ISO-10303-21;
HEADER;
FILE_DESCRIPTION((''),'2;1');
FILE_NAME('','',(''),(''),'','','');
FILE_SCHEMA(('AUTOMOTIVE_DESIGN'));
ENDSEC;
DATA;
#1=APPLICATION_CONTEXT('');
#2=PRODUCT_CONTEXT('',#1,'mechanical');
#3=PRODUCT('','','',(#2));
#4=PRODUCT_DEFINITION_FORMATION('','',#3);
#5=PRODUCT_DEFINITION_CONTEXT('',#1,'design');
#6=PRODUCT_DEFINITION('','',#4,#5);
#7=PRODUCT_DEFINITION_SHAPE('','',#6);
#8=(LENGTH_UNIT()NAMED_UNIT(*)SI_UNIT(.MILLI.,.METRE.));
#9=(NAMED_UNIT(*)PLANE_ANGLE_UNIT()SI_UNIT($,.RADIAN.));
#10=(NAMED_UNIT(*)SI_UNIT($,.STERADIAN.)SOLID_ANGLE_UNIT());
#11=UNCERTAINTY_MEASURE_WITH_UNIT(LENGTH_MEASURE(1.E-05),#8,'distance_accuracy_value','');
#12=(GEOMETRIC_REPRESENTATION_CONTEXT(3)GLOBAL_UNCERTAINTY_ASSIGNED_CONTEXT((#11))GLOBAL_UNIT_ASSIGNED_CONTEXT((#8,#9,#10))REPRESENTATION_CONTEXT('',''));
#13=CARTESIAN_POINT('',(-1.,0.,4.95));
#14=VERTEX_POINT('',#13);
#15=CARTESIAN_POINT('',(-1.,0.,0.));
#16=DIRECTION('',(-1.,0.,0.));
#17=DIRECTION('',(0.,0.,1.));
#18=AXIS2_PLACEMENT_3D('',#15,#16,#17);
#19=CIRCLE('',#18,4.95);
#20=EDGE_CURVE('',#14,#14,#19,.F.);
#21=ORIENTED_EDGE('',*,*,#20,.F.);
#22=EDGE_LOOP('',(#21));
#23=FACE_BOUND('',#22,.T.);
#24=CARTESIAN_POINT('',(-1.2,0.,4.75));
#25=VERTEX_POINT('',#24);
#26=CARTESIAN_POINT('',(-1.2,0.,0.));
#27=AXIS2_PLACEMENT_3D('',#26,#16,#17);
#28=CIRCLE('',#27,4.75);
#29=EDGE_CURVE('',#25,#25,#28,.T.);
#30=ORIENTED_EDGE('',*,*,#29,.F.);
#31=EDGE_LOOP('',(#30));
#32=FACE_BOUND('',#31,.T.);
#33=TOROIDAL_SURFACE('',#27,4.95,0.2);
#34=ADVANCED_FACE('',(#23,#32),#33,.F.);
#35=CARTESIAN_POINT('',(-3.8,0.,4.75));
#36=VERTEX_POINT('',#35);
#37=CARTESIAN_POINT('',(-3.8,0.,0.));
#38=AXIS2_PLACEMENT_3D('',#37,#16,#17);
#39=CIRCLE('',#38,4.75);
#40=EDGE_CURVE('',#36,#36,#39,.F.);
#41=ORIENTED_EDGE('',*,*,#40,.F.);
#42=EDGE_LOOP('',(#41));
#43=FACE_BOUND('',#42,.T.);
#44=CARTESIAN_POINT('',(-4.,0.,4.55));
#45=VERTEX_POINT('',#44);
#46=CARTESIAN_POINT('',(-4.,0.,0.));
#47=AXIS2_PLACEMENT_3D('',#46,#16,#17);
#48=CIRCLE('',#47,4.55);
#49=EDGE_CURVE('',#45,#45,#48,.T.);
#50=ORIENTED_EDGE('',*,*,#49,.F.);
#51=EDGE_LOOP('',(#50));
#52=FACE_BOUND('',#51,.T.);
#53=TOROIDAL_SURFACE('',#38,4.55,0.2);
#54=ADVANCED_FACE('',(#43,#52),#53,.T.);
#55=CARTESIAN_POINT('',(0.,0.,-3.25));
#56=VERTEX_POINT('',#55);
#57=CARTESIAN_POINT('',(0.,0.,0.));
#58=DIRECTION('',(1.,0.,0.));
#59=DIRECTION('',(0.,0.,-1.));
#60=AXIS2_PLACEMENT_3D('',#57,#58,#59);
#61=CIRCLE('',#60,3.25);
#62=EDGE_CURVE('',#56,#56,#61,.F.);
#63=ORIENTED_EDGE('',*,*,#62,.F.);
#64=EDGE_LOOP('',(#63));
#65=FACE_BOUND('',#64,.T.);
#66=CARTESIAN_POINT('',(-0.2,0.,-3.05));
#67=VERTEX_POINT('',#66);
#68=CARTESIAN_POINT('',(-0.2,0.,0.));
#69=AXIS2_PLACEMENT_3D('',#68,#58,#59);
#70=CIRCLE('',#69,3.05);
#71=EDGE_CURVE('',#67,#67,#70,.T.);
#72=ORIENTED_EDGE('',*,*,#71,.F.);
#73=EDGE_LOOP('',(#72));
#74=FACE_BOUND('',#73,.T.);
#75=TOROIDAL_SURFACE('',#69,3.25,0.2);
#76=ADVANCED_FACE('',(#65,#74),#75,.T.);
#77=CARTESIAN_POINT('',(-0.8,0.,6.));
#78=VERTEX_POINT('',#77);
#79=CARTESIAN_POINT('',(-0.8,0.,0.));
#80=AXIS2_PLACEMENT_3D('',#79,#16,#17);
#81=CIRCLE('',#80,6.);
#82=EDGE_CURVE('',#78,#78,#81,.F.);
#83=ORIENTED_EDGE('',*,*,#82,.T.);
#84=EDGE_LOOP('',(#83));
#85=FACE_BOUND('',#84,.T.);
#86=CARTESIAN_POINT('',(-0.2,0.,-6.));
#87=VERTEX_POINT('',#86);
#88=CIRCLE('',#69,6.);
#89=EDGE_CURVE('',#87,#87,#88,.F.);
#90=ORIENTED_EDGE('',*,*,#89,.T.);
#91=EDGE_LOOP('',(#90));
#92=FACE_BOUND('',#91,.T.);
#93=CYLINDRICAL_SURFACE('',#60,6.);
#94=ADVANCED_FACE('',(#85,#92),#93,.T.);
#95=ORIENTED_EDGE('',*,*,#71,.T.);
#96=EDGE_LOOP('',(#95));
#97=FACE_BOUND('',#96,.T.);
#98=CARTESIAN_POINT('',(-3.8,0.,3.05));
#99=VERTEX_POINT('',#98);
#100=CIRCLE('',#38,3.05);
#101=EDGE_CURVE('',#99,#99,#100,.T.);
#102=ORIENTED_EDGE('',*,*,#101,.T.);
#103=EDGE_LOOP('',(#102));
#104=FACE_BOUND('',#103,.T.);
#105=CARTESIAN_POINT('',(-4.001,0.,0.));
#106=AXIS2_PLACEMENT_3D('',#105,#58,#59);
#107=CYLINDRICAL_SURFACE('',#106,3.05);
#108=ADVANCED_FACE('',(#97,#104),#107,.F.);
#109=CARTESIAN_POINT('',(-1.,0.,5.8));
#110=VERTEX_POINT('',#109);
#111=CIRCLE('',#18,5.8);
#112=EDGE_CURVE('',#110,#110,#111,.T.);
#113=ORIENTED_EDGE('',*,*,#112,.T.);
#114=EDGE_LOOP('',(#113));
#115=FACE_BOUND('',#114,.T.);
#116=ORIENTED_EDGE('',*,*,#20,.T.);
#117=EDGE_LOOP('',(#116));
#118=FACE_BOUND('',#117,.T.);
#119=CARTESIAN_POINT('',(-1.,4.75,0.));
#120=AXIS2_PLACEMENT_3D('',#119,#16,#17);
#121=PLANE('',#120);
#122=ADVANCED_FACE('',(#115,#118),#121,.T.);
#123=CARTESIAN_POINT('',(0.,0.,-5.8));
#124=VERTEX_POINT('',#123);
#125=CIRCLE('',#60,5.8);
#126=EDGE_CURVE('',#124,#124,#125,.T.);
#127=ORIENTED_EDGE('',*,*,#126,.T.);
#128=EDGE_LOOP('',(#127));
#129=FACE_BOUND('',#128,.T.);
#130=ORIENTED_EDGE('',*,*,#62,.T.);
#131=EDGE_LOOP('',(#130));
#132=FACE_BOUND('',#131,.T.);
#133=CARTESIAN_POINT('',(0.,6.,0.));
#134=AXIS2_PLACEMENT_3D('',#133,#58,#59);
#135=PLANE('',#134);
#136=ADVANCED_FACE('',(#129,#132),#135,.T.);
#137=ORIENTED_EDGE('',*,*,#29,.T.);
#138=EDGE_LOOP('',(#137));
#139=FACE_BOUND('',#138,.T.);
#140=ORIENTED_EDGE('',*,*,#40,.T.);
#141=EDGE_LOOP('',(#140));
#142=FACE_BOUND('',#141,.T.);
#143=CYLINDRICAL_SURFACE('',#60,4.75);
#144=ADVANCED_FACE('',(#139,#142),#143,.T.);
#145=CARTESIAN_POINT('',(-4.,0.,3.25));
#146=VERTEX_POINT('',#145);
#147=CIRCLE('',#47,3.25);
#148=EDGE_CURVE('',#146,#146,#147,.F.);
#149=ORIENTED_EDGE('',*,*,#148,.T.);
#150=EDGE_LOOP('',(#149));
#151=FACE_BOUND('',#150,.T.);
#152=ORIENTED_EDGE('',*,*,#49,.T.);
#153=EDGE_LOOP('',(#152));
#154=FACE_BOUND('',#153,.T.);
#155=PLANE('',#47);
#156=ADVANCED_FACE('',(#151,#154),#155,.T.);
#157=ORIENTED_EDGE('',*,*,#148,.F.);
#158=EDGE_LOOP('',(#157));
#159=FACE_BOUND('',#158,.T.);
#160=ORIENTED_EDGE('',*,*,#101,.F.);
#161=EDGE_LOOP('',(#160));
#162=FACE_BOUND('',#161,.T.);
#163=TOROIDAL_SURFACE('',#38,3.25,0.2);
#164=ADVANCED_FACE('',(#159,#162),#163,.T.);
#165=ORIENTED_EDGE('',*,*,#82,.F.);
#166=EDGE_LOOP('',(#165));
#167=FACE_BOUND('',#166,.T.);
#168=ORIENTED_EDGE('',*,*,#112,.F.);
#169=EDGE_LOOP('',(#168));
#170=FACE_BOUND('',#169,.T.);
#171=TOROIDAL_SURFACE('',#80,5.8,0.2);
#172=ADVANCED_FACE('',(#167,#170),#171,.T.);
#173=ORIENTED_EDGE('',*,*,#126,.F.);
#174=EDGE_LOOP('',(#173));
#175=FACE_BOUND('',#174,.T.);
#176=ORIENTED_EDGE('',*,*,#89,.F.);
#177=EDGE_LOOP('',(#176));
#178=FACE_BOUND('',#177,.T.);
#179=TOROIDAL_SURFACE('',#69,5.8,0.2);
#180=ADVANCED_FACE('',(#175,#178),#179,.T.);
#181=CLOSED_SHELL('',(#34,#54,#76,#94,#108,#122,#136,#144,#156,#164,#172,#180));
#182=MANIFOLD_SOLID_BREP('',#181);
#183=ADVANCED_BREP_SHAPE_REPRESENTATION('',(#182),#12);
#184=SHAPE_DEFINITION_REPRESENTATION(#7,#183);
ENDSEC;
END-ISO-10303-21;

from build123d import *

# Parameters (mm, degrees)
CUT_EXTRUDE1_REACH = 11.381
SKETCH2_R          = 3.05
FILLET1_R          = 0.2


with BuildPart() as part:
    # Sketch1 → Revolve1 (revolve)
    with BuildSketch(Plane.XY, mode=Mode.PRIVATE) as revolve1_sk:
        Polygon((-4, 0), (-4, 4.75), (-1, 4.75), (-1, 6), (0, 6), (0, 0), align=None)
    revolve(revolve1_sk.sketch.rotate(Axis((0, 0, 0), (-1, 0, 0)), 90), axis=Axis((0, 0, 0), (-1, 0, 0)))

    # Sketch2 → Cut-Extrude1 (cut, up to next)
    with BuildSketch(Plane(origin=(0, 0, 0), x_dir=(0, 0, -1), z_dir=(1, 0, 0)), mode=Mode.PRIVATE) as cut_extrude1_sk1:
        Circle(SKETCH2_R)
    cut_extrude1_tool1 = extrude(cut_extrude1_sk1.sketch, amount=-CUT_EXTRUDE1_REACH, mode=Mode.PRIVATE) & part.part
    add(cut_extrude1_tool1.solids().sort_by_distance((0, 0, 0))[0], mode=Mode.SUBTRACT)

    # Fillet1
    fillet1_edges = [part.edges().sort_by_distance(p)[0] for p in [
        (-4, 0, 3.05),
        (0, 0, 3.05),
        (0, 0, 6),
        (-1, 0, 6),
        (-1, 0, 4.75),
        (-4, 0, 4.75),
    ]]
    fillet(fillet1_edges, radius=FILLET1_R)


solid = part.part
